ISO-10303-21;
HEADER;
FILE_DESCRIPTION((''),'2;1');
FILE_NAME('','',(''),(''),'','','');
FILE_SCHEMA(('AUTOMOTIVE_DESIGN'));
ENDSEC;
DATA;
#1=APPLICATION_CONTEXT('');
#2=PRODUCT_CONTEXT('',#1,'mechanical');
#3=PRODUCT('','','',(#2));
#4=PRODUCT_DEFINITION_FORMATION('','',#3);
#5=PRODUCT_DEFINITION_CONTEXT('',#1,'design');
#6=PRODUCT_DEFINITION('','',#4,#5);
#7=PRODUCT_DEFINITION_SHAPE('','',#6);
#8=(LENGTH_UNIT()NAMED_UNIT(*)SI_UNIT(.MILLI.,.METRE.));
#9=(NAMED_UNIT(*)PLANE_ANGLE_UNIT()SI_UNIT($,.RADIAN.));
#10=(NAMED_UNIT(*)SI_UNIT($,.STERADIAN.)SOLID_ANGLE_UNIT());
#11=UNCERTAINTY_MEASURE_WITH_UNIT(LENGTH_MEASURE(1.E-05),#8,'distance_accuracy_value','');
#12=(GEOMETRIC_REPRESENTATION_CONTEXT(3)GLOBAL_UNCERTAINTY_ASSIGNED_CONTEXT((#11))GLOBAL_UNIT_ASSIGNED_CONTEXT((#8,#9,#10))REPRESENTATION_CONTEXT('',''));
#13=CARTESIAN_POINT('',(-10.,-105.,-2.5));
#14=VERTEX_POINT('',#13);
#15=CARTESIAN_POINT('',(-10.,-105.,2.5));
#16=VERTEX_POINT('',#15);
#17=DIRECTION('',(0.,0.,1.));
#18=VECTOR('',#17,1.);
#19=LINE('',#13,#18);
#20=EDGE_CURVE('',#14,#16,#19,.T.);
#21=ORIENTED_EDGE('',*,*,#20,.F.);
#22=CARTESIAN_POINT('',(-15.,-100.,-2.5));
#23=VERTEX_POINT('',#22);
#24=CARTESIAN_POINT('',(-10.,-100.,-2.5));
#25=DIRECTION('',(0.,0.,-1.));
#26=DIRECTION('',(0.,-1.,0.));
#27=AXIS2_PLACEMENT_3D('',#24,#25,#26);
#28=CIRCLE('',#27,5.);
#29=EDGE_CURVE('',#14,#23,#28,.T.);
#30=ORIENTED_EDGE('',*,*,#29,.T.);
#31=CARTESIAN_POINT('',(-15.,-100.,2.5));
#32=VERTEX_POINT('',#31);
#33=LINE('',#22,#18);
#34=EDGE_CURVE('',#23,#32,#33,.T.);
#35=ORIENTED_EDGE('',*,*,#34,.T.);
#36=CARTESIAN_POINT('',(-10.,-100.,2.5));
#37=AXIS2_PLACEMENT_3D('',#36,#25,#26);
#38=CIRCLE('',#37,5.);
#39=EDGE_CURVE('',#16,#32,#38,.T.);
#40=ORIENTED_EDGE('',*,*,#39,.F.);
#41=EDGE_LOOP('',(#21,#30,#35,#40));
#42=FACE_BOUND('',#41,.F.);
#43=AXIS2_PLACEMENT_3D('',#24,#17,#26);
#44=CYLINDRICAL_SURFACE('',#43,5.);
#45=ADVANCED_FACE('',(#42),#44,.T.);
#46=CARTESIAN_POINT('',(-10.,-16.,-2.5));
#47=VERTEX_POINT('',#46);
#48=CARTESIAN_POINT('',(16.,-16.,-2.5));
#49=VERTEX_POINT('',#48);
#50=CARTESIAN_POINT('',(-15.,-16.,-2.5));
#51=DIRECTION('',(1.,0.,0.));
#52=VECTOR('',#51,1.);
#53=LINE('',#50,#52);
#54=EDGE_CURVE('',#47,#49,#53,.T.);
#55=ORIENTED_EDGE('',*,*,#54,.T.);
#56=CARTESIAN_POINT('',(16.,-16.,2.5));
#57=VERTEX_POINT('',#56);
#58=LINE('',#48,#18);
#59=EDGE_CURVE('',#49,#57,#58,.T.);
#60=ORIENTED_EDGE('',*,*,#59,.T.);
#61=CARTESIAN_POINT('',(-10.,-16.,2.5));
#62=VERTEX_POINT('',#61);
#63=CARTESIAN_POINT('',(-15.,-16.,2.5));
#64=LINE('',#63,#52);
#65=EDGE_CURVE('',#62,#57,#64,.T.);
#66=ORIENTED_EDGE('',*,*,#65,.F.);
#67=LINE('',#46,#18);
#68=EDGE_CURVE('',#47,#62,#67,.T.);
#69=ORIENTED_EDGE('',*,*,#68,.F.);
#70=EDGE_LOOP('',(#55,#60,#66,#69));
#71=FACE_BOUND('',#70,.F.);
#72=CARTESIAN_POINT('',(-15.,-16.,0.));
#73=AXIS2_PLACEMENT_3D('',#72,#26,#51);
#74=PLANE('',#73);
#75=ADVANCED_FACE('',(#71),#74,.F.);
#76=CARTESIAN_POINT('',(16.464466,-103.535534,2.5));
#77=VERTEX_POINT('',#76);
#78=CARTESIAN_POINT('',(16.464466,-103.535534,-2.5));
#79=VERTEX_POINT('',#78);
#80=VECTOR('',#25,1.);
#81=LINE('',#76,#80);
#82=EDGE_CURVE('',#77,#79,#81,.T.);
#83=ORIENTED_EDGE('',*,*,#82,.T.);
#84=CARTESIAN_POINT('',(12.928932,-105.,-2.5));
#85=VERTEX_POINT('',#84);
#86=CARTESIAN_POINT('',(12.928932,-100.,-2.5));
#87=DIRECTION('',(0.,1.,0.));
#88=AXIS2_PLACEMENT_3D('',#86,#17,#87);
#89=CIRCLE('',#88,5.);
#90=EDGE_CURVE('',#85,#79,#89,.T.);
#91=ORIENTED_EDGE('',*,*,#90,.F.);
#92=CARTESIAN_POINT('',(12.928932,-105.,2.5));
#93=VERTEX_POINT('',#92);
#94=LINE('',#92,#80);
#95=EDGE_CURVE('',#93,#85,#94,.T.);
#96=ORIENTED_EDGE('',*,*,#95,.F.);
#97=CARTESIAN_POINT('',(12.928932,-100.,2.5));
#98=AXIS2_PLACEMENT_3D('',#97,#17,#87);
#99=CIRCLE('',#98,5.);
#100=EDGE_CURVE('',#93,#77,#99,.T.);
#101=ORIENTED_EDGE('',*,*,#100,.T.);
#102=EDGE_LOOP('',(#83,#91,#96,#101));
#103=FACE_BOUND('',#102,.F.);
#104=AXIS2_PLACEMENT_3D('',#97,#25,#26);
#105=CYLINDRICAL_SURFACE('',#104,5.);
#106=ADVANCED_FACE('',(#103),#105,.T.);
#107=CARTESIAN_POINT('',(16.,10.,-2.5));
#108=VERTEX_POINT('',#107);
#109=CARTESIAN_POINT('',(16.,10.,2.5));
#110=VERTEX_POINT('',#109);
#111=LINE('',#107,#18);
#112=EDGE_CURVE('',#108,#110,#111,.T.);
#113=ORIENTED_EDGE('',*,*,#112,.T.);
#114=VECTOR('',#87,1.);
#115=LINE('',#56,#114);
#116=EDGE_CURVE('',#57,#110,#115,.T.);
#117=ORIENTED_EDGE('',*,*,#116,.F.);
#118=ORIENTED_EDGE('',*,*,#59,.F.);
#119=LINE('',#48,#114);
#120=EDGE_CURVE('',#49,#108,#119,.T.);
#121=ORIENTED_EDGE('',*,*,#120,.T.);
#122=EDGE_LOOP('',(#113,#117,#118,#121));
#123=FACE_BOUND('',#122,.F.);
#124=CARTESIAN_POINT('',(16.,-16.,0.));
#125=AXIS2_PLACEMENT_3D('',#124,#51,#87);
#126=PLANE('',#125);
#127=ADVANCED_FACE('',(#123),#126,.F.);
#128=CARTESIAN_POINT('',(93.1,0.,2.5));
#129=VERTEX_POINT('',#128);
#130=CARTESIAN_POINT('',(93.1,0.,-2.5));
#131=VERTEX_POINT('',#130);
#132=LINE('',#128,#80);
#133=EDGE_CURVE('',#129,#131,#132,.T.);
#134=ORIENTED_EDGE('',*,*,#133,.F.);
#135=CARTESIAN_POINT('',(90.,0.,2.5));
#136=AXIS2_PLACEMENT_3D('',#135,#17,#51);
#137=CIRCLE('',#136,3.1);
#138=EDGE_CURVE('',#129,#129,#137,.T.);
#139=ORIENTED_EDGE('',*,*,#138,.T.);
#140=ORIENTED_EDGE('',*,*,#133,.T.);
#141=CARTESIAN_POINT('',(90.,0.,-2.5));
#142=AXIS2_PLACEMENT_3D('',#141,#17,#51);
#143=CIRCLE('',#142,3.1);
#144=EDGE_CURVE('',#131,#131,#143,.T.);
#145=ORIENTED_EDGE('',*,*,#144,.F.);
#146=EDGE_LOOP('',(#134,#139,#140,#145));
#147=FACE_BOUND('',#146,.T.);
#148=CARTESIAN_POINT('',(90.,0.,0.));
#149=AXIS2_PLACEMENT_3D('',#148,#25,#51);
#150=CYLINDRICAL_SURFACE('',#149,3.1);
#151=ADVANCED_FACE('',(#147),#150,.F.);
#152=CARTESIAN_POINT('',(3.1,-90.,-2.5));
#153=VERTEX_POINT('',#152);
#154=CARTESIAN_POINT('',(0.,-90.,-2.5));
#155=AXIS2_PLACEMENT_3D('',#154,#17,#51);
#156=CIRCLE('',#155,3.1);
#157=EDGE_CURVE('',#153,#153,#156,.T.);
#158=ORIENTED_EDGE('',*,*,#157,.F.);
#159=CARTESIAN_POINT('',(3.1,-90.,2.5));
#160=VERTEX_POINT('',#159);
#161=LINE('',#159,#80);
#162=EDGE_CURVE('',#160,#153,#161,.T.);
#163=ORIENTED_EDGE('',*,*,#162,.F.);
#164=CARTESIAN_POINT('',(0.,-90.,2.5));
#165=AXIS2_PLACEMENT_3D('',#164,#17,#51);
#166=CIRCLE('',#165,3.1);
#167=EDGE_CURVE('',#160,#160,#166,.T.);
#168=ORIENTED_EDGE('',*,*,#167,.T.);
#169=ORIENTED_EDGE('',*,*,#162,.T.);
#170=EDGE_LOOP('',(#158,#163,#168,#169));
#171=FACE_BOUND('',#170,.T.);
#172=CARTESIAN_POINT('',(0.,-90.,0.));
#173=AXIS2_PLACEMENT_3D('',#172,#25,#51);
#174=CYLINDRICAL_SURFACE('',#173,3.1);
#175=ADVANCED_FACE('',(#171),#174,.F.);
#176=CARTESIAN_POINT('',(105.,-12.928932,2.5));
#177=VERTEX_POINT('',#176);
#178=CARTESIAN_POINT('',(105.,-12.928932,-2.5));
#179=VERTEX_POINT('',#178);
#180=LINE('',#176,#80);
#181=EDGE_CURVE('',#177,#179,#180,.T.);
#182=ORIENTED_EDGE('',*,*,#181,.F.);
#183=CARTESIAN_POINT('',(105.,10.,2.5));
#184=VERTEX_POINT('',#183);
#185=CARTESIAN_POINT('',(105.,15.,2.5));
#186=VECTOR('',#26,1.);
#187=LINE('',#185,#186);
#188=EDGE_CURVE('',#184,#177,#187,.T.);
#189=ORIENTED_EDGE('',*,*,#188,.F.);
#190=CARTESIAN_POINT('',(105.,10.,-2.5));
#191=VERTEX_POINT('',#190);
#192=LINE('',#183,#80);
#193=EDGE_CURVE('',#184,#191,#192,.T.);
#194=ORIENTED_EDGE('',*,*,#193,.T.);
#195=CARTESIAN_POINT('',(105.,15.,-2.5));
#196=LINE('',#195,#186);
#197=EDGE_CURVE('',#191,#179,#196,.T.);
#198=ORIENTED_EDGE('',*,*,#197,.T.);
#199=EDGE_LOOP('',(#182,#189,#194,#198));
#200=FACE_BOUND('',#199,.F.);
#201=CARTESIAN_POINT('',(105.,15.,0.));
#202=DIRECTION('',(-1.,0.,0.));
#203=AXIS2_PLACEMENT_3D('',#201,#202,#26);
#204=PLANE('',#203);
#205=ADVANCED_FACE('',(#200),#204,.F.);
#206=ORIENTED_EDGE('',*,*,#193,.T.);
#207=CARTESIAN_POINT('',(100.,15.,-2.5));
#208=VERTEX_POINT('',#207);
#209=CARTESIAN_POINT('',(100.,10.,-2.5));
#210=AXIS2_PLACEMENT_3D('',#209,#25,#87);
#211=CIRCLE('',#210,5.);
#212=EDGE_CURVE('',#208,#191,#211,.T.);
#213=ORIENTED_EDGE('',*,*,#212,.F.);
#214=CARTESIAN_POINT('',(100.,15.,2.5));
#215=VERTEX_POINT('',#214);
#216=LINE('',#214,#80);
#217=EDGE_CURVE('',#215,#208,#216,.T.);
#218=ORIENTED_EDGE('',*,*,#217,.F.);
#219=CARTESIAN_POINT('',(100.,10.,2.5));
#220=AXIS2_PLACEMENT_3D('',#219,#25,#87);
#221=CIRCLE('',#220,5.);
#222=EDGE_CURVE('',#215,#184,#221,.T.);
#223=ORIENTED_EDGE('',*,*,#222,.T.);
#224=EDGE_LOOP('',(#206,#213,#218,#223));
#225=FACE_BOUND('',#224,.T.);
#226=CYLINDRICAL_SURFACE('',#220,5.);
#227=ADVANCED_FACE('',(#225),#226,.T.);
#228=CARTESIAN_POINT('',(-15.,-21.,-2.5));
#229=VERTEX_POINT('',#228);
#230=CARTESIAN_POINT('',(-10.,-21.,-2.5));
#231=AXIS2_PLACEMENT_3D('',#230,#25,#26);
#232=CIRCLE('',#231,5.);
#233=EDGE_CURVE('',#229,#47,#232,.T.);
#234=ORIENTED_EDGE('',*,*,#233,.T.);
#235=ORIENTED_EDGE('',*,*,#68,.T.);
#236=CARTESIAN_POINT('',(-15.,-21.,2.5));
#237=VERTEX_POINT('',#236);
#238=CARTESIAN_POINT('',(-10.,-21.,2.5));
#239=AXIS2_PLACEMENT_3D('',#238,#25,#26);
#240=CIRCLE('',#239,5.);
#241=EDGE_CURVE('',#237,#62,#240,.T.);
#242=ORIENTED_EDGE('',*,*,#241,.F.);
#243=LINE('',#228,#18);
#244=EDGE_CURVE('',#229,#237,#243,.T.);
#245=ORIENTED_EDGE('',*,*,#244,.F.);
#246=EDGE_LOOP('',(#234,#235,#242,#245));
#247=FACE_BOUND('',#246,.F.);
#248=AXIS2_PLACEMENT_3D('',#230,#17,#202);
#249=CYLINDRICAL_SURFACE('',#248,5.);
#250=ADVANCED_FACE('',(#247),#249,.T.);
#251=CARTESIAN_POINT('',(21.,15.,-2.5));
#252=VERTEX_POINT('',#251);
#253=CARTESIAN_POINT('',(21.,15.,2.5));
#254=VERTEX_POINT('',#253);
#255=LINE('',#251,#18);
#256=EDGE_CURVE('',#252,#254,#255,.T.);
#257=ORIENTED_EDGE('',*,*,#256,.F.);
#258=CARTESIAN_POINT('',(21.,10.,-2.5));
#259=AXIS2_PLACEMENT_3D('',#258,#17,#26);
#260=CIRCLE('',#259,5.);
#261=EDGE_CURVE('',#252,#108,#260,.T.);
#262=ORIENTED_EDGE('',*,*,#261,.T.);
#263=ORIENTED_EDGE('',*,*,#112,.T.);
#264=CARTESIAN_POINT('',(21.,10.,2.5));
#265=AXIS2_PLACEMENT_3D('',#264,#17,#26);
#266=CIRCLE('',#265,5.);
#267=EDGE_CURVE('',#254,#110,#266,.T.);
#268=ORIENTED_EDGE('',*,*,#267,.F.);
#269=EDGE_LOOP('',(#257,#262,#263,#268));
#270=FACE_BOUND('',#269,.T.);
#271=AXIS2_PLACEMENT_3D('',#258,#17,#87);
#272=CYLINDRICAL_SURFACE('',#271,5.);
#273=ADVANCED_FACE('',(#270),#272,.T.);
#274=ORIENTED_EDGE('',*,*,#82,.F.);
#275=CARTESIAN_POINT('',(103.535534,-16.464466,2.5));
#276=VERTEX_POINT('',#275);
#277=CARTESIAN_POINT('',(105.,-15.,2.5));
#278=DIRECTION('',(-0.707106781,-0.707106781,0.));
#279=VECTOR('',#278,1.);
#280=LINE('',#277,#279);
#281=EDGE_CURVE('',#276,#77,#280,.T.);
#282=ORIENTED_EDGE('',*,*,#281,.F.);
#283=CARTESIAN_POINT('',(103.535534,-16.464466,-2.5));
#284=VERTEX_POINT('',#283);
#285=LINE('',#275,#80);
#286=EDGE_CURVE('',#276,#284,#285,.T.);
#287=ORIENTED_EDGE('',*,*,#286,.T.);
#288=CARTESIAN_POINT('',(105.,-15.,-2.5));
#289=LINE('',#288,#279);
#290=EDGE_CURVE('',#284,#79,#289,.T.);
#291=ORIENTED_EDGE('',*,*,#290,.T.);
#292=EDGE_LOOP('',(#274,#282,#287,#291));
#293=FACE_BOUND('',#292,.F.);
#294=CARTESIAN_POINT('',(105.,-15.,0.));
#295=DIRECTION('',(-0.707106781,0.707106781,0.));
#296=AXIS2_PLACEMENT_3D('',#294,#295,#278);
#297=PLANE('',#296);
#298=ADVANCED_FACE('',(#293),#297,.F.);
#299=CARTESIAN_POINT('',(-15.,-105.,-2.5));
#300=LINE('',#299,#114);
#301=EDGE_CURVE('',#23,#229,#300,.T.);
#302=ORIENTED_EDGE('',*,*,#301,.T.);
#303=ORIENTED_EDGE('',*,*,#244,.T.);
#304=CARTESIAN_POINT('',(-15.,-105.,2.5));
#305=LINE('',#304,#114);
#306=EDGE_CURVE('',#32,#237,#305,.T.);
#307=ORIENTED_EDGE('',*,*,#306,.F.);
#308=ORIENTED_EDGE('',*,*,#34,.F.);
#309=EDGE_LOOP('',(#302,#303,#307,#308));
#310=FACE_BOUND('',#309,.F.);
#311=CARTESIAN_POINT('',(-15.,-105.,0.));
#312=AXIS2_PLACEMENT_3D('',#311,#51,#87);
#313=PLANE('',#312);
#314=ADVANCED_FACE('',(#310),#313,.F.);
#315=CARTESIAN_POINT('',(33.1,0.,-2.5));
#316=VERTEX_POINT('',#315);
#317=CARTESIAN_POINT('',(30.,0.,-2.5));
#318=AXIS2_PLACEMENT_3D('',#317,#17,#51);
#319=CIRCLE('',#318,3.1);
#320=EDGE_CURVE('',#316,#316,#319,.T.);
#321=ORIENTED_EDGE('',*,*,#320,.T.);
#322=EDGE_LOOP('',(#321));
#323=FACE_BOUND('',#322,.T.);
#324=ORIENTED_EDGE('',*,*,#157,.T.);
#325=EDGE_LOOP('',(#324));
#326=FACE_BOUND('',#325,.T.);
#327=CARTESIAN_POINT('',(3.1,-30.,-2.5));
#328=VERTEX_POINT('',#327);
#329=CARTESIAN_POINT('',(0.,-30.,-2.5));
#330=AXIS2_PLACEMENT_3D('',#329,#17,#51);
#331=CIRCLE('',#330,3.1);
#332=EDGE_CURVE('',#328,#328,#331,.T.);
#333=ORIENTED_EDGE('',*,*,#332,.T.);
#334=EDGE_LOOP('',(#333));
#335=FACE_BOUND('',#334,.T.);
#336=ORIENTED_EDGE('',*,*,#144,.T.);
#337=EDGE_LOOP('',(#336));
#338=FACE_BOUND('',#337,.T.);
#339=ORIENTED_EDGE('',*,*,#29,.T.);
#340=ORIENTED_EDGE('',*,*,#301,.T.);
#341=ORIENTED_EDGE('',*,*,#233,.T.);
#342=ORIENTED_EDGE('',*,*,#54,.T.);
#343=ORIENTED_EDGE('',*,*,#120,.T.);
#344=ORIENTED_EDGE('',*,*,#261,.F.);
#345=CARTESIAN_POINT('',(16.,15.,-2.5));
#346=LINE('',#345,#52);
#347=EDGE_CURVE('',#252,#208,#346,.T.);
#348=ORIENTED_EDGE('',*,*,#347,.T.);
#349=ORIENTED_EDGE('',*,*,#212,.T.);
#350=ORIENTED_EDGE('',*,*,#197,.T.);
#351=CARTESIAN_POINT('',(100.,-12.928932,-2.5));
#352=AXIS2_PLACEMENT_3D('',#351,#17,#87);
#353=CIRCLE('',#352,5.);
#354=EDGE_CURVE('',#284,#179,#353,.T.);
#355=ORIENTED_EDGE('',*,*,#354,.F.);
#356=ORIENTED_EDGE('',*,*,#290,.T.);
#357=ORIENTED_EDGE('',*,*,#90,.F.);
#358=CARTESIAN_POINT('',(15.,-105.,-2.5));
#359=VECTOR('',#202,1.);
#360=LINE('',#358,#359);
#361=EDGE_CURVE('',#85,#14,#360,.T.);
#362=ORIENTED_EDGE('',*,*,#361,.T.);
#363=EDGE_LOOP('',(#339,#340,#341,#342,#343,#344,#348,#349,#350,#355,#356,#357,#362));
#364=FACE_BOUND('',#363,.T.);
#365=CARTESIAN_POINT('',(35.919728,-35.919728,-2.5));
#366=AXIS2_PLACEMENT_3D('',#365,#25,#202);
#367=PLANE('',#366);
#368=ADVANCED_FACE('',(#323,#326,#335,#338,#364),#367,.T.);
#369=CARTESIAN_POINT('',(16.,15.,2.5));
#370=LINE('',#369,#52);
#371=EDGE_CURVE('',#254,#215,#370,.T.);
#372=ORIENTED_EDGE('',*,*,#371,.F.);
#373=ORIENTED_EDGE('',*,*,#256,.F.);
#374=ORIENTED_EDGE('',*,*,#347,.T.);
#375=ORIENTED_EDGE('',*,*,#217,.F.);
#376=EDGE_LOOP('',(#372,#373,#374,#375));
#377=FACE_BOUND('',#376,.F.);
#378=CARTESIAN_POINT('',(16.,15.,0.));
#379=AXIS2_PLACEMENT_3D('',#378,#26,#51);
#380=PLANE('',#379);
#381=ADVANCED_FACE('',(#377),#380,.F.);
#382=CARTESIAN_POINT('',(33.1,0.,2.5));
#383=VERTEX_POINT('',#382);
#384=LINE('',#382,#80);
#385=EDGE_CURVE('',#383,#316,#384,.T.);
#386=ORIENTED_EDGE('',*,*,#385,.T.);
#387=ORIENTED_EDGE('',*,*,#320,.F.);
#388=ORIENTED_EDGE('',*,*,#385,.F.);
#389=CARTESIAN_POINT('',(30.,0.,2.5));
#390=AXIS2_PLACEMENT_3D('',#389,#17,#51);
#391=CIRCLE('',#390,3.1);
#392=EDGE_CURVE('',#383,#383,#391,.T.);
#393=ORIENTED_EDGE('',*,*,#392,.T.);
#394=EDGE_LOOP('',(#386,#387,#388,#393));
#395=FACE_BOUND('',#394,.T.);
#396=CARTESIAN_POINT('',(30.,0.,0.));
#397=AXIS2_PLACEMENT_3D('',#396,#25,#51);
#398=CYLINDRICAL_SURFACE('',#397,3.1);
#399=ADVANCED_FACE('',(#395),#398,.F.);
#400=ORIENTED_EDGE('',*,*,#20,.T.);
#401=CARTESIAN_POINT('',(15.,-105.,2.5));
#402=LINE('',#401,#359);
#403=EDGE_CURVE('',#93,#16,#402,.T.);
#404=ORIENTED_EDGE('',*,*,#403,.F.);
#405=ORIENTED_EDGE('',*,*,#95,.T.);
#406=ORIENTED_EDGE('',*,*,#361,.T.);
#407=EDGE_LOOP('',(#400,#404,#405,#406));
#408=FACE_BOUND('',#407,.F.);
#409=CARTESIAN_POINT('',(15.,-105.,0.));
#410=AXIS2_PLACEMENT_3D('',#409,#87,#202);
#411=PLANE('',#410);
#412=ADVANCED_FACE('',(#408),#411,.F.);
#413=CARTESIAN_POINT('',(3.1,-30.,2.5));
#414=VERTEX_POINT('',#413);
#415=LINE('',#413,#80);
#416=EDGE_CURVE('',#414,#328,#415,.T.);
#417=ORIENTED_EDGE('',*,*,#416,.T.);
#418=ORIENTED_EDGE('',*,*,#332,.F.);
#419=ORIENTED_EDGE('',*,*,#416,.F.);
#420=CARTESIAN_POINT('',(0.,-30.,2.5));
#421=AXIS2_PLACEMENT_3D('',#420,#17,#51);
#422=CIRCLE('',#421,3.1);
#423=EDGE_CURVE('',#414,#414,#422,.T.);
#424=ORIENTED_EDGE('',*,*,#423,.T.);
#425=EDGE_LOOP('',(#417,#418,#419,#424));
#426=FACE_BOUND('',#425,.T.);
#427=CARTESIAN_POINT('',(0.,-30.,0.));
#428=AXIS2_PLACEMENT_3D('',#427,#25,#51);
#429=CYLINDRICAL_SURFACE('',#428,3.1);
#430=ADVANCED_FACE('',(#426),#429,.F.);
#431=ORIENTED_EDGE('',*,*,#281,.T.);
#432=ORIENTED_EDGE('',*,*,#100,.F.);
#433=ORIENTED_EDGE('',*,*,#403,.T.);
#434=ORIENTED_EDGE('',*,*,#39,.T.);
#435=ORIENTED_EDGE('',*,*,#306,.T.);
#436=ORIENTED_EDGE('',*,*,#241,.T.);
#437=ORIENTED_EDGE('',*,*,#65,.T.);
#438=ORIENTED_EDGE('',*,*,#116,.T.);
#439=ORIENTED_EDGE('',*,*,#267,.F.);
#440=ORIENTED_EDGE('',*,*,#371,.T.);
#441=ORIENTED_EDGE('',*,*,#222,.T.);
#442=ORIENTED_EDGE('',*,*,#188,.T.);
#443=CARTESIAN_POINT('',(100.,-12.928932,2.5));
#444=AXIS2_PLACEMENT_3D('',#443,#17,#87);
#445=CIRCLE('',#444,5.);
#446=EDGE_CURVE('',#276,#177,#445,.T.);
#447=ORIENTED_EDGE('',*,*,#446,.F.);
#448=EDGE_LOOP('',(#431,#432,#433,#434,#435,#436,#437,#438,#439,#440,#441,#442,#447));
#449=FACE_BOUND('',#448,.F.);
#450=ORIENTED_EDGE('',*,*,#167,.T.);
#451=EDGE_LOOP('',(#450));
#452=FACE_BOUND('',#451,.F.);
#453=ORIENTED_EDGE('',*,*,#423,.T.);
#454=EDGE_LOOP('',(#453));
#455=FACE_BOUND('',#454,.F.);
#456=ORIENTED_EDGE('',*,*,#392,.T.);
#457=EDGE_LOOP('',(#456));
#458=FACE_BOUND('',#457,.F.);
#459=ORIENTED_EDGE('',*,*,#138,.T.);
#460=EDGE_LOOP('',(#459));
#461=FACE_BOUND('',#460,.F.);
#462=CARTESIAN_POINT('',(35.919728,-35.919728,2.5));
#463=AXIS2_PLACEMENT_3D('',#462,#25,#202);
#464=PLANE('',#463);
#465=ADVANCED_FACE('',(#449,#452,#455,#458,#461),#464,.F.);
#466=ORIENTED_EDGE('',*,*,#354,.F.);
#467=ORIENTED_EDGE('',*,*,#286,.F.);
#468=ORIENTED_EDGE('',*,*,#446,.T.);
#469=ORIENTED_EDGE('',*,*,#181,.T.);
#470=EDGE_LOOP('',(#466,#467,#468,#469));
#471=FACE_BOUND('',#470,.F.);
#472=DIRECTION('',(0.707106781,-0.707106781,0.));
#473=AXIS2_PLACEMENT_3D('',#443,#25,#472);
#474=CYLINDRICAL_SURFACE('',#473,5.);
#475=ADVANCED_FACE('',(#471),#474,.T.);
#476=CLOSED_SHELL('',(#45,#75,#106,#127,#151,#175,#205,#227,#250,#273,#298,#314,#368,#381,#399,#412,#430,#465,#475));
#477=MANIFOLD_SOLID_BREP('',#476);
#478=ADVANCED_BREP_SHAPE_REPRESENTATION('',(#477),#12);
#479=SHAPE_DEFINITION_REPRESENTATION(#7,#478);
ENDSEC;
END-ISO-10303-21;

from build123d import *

# Parameters (mm, degrees)
SKETCH_R  = 3.1
PAD_DEPTH = 2.5
FILLET_R  = 5


with BuildPart() as part:
    # Sketch → Pad (new body, symmetric)
    with BuildSketch(Plane.XY):
        Polygon((16, 15), (105, 15), (105, -15), (15, -105), (-15, -105), (-15, -16), (16, -16), align=None)
        with Locations((30, 0)):
            Circle(SKETCH_R, mode=Mode.SUBTRACT)
        with Locations((90, 0)):
            Circle(SKETCH_R, mode=Mode.SUBTRACT)
        with Locations((0, -30)):
            Circle(SKETCH_R, mode=Mode.SUBTRACT)
        with Locations((0, -90)):
            Circle(SKETCH_R, mode=Mode.SUBTRACT)
    extrude(amount=PAD_DEPTH, both=True)

    # Fillet
    fillet_edges = [part.edges().sort_by_distance(p)[0] for p in [
        (-15, -105, 0),
        (105, 15, 0),
        (15, -105, 0),
        (105, -15, 0),
        (16, 15, 0),
        (-15, -16, 0),
    ]]
    fillet(fillet_edges, radius=FILLET_R)


solid = part.part
